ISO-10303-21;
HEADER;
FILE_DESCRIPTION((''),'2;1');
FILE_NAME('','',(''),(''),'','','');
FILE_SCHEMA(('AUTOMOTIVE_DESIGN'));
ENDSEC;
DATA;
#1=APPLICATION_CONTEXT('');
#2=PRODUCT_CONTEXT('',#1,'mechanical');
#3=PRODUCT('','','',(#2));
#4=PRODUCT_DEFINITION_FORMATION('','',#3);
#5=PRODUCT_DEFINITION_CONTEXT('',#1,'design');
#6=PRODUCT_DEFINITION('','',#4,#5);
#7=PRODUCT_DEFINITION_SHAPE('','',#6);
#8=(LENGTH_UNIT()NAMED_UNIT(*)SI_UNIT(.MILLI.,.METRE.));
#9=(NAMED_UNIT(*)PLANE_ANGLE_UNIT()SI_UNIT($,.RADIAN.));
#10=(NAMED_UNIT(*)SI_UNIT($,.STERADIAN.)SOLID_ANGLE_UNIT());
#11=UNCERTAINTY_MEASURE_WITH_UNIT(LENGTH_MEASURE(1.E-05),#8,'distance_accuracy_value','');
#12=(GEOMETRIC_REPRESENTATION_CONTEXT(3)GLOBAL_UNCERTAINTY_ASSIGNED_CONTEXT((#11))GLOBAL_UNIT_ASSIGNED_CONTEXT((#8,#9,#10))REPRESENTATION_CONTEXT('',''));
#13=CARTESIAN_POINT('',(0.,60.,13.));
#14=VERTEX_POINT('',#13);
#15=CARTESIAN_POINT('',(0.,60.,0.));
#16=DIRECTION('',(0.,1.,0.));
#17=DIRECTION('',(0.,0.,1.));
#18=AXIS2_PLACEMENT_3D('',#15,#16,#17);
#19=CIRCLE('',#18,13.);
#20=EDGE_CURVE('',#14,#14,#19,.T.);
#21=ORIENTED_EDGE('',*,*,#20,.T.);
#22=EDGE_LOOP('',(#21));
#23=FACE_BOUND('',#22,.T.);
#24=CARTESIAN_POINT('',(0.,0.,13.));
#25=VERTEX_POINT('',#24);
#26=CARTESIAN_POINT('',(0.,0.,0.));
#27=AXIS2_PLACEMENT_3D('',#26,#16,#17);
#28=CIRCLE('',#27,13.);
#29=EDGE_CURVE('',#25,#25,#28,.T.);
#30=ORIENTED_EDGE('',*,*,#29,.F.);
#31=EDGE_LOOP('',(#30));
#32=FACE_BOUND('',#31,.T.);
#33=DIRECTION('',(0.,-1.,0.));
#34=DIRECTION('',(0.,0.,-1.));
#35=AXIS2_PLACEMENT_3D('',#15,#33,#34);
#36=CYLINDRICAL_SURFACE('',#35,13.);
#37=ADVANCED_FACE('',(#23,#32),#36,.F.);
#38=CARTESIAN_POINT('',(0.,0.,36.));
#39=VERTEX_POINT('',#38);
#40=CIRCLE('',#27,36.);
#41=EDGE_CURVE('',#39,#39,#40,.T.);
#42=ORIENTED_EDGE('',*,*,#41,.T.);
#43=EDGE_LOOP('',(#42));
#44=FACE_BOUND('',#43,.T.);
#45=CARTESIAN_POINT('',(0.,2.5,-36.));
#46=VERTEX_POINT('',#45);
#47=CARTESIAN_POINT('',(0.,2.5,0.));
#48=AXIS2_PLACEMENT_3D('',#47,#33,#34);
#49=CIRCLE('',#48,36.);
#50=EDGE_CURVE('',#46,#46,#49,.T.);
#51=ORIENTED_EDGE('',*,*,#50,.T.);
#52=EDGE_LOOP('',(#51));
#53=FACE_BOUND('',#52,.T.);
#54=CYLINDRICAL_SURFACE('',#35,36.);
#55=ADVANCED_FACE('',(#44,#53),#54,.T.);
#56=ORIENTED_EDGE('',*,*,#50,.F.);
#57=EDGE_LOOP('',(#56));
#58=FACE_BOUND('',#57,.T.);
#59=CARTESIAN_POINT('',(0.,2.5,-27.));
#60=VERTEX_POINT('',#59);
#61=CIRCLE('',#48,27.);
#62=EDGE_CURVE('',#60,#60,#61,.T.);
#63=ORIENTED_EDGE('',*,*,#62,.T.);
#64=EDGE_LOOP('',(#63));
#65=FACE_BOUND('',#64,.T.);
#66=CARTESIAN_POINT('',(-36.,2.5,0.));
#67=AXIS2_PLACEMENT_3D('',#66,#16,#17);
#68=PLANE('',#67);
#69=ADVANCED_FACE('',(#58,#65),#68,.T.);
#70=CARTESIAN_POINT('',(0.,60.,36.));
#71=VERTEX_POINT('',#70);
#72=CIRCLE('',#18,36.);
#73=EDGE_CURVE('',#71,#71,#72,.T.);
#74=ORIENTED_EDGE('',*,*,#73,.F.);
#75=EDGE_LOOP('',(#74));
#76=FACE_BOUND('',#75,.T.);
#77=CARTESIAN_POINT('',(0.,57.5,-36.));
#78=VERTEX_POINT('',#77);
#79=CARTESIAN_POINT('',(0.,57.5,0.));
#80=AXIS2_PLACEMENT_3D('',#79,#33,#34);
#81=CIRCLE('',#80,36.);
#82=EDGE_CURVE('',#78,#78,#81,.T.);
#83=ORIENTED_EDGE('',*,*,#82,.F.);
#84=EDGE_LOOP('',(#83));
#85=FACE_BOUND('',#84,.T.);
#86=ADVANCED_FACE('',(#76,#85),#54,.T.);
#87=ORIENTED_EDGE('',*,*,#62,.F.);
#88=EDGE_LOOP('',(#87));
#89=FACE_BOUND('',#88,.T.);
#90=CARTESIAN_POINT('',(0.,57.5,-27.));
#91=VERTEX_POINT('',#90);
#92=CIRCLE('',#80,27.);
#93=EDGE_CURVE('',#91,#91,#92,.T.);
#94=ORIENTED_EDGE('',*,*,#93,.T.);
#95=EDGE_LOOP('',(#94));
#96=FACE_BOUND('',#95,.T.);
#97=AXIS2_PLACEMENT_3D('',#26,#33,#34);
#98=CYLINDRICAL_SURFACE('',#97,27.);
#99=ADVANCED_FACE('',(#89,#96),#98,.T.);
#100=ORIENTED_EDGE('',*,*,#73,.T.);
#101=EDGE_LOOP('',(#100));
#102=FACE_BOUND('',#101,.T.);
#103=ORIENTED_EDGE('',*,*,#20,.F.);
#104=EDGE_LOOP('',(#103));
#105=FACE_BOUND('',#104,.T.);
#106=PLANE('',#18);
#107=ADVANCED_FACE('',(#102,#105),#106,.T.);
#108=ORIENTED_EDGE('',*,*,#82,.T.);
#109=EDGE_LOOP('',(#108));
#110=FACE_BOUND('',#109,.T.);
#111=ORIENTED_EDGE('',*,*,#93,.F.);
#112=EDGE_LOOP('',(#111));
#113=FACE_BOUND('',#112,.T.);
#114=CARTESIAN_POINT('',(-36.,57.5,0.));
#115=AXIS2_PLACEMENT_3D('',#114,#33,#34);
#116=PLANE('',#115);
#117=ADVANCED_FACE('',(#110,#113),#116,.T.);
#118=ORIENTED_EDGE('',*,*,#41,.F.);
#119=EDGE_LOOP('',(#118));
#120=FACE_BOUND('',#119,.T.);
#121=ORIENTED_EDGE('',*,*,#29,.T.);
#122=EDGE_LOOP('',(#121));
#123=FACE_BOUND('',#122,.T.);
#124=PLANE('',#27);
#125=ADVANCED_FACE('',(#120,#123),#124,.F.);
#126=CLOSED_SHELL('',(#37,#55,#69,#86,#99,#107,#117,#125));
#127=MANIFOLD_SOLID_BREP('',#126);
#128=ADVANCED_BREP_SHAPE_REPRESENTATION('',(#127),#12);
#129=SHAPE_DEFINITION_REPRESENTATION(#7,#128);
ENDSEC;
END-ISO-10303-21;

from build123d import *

# Parameters (mm, degrees)
SKETCH1_R           = 36
SKETCH1_R_2         = 13
BOSS_EXTRUDE1_DEPTH = 60
SKETCH2_W           = 9
SKETCH2_H           = 55


with BuildPart() as part:
    # Sketch1 → Boss-Extrude1 (new body)
    with BuildSketch(Plane(origin=(0, 0, 0), x_dir=(1, 0, 0), z_dir=(0, 1, 0))):
        Circle(SKETCH1_R)
        Circle(SKETCH1_R_2, mode=Mode.SUBTRACT)
    extrude(amount=BOSS_EXTRUDE1_DEPTH)

    # Sketch2 → Cut-Revolve1 (revolve, cut)
    with BuildSketch(Plane.XY):
        with Locations((-31.5, 30)):
            Rectangle(SKETCH2_W, SKETCH2_H)
    revolve(axis=Axis((0, 0, 0), (0, 1, 0)), mode=Mode.SUBTRACT)


solid = part.part
